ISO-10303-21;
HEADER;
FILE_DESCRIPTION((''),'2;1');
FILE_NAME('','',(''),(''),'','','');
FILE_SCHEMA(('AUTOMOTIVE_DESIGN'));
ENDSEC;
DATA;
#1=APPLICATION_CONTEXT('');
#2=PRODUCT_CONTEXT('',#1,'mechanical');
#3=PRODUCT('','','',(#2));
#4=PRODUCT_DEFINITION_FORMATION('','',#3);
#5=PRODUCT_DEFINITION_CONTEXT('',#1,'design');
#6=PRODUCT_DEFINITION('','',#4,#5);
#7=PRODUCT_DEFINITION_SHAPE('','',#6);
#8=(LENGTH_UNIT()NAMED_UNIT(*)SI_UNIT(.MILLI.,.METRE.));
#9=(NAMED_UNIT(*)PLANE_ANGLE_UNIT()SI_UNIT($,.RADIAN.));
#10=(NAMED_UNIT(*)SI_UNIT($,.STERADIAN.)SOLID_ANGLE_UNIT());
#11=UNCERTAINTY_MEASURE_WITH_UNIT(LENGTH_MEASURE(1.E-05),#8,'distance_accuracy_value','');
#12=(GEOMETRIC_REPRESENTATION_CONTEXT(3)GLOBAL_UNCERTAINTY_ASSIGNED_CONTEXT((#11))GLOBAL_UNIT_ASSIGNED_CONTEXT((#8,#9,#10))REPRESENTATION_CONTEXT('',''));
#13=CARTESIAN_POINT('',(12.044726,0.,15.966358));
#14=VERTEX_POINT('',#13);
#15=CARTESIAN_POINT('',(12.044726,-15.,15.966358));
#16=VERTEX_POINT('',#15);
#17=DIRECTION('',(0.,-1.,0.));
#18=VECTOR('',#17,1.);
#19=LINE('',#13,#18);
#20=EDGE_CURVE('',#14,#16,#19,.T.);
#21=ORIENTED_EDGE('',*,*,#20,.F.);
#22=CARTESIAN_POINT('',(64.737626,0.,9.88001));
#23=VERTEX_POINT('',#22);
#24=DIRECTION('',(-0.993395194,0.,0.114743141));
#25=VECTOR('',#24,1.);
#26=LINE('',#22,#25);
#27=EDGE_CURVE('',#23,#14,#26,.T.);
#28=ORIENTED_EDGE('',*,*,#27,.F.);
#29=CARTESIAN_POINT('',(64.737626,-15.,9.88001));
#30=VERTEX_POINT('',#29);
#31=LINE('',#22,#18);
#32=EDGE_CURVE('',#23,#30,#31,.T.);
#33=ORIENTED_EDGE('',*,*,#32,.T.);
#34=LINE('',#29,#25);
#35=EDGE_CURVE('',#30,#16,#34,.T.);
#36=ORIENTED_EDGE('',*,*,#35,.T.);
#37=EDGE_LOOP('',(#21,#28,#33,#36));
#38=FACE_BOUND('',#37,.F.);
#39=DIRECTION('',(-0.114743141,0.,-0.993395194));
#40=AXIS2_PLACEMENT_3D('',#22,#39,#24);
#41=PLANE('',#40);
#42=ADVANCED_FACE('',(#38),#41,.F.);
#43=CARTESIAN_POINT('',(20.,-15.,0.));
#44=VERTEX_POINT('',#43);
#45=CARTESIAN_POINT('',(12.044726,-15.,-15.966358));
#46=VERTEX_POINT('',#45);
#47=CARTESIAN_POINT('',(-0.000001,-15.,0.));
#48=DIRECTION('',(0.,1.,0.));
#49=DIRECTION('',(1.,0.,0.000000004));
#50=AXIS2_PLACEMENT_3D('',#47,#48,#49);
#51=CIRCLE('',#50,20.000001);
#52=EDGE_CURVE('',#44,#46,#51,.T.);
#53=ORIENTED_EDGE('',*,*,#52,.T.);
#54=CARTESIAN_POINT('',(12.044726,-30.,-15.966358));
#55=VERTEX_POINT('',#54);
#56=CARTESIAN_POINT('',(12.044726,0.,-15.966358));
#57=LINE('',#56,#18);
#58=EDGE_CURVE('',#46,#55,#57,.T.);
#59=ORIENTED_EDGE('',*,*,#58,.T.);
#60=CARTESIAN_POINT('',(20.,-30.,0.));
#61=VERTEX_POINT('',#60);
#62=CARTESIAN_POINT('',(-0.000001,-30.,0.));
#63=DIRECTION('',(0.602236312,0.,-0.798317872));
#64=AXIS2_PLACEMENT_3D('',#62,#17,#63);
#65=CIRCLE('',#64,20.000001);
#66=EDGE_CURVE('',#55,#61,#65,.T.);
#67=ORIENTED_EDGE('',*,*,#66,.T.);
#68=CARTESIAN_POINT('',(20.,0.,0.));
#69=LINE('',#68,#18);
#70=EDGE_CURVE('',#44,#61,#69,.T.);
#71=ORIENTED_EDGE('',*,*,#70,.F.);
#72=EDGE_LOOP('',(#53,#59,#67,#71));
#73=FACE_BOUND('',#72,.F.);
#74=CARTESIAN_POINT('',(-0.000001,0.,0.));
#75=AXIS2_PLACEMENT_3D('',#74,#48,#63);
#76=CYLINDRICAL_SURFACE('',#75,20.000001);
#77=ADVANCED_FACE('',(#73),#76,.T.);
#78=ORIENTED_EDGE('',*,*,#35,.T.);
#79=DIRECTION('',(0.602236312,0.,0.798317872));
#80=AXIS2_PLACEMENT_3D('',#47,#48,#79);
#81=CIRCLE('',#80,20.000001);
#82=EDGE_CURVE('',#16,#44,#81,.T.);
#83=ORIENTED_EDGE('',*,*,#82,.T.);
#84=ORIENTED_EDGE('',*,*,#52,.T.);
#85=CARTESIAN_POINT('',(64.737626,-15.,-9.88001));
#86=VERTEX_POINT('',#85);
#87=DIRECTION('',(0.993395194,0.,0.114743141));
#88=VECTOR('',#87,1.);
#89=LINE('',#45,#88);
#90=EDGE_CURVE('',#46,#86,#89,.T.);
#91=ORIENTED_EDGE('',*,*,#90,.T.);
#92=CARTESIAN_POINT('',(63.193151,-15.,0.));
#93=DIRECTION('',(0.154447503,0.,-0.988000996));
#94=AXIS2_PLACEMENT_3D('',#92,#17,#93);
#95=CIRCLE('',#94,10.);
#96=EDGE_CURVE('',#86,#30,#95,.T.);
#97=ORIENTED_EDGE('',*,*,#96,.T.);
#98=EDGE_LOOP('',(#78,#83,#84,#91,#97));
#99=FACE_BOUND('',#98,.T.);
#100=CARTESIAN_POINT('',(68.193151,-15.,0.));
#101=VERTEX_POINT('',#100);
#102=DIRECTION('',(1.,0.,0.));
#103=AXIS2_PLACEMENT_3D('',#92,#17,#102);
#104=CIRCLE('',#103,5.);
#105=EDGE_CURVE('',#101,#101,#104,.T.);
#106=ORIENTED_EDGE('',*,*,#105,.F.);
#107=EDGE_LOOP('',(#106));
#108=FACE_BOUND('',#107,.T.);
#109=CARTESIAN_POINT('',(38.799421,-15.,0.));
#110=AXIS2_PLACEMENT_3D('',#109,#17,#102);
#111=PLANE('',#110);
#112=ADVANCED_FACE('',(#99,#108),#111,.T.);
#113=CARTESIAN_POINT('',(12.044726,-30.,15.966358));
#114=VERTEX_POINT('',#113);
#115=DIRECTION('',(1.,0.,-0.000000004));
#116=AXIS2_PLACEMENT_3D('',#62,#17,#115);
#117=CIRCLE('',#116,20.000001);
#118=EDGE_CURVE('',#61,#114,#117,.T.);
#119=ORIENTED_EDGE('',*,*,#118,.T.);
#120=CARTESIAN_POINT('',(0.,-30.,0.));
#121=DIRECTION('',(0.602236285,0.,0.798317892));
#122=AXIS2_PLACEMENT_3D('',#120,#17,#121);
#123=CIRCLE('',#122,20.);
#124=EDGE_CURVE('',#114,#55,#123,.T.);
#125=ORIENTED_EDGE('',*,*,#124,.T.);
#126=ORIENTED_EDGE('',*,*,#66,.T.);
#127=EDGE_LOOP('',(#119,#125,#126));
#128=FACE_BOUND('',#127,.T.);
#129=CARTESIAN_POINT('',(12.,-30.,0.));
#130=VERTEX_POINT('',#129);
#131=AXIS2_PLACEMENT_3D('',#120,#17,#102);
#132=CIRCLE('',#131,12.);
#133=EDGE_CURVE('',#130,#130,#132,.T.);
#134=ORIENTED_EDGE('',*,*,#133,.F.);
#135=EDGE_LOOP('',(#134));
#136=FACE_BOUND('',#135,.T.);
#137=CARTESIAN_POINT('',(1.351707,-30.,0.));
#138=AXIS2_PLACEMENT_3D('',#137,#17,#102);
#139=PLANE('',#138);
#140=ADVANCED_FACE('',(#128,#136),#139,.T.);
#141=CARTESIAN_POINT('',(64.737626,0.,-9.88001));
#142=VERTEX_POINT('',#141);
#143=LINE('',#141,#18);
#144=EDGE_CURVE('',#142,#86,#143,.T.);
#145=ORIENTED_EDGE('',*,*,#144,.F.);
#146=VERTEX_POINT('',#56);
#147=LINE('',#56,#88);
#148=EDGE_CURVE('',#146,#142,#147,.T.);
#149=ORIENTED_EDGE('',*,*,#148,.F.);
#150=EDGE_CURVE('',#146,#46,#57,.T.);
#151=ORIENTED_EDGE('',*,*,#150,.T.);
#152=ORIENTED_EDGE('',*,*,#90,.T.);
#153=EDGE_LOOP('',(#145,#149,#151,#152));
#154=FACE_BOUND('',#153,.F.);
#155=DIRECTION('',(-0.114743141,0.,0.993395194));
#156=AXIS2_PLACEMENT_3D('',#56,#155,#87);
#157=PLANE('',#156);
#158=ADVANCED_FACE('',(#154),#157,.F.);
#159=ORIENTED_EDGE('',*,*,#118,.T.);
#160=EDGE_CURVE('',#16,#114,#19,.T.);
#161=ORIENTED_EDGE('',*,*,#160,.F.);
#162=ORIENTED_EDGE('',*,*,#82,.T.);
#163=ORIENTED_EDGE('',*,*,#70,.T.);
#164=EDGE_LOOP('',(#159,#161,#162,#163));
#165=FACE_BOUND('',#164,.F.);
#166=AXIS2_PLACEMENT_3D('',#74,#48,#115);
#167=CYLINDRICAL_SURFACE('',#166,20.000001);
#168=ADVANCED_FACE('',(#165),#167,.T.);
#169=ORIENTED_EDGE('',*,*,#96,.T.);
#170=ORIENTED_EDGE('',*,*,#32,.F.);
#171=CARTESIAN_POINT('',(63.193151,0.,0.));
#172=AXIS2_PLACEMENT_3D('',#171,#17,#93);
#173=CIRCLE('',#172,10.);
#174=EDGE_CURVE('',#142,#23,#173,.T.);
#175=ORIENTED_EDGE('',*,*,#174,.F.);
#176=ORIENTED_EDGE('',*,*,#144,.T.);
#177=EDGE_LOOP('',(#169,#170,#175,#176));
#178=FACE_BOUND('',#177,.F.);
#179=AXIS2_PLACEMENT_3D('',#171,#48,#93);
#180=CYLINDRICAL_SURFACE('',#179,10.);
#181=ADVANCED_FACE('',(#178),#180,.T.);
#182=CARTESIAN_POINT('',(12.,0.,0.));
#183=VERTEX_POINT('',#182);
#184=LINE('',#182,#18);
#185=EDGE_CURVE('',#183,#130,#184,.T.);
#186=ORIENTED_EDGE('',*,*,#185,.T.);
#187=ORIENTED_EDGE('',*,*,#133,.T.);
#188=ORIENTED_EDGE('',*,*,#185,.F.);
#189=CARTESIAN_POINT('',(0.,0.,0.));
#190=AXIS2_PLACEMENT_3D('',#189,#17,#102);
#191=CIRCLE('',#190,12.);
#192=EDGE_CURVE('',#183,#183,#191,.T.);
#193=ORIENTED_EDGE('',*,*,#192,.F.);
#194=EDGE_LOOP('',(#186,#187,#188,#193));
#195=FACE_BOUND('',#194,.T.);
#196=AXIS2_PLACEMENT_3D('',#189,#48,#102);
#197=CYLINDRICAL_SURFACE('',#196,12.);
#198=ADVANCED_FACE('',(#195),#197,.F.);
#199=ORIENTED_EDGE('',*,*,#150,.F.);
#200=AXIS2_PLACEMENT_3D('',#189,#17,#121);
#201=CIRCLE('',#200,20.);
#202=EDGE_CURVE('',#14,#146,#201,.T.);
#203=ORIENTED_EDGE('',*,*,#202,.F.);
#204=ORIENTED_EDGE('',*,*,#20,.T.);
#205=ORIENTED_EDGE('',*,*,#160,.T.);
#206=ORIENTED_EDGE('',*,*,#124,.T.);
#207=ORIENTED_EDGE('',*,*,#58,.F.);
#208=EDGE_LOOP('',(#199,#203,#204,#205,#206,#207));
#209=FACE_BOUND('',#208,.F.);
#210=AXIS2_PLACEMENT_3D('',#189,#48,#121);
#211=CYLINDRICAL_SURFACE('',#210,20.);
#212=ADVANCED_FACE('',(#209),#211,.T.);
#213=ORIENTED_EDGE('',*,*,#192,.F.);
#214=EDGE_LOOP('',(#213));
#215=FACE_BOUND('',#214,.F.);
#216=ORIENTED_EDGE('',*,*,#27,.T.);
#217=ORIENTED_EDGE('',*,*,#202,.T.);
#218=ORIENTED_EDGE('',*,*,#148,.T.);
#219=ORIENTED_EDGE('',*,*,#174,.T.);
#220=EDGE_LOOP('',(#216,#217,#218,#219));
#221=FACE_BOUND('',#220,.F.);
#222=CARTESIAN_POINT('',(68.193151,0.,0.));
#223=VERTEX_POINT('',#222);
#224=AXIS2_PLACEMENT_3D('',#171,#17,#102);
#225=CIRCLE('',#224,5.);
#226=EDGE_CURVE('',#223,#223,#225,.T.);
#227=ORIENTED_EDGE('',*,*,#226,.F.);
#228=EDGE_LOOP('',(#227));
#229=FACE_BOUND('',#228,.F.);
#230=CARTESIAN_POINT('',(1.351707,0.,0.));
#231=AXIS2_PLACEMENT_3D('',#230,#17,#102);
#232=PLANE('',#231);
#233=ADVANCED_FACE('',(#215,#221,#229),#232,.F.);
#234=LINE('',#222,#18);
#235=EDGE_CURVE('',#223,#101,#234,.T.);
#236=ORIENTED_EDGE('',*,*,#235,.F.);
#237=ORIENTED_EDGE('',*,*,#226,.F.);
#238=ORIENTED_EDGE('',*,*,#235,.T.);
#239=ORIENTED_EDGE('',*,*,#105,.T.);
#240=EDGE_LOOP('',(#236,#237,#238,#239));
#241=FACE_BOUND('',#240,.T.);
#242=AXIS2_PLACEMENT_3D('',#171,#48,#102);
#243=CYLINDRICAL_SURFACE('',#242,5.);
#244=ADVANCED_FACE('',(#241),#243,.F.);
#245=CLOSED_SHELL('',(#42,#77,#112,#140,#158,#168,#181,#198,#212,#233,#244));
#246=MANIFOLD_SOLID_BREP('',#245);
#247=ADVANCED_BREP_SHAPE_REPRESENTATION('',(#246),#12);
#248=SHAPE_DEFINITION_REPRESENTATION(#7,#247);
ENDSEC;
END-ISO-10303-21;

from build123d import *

# Parameters (mm, degrees)
F0_R     = 5
F1_DEPTH = 15
F0_R_2   = 12
F2_DEPTH = 30


with BuildPart() as f1:
    # F0 (on Front) → F1 (new body)
    with BuildSketch(Plane.XZ):
        with BuildLine():
            ThreePointArc((12.044726, 15.966358), (17.901041, 8.919234), (20, 0))
            ThreePointArc((20, 0), (17.901041, -8.919234), (12.044726, -15.966358))
            Line((12.044726, -15.966358), (64.737626, -9.88001))
            ThreePointArc((64.737626, -9.88001), (73.193151, 0), (64.737626, 9.88001))
            Line((64.737626, 9.88001), (12.044726, 15.966358))
        make_face()
        with Locations((63.193151, 0)):
            Circle(F0_R, mode=Mode.SUBTRACT)
    extrude(amount=F1_DEPTH)

    # F0 (on Front) → F2 (join)
    with BuildSketch(Plane.XZ):
        with BuildLine():
            ThreePointArc((12.044726, -15.966358), (17.901041, -8.919234), (20, 0))
            ThreePointArc((20, 0), (17.901041, 8.919234), (12.044726, 15.966358))
            ThreePointArc((12.044726, 15.966358), (-20, 0), (12.044726, -15.966358))
        make_face()
        Circle(F0_R_2, mode=Mode.SUBTRACT)
    extrude(amount=F2_DEPTH)


solid = f1.part
